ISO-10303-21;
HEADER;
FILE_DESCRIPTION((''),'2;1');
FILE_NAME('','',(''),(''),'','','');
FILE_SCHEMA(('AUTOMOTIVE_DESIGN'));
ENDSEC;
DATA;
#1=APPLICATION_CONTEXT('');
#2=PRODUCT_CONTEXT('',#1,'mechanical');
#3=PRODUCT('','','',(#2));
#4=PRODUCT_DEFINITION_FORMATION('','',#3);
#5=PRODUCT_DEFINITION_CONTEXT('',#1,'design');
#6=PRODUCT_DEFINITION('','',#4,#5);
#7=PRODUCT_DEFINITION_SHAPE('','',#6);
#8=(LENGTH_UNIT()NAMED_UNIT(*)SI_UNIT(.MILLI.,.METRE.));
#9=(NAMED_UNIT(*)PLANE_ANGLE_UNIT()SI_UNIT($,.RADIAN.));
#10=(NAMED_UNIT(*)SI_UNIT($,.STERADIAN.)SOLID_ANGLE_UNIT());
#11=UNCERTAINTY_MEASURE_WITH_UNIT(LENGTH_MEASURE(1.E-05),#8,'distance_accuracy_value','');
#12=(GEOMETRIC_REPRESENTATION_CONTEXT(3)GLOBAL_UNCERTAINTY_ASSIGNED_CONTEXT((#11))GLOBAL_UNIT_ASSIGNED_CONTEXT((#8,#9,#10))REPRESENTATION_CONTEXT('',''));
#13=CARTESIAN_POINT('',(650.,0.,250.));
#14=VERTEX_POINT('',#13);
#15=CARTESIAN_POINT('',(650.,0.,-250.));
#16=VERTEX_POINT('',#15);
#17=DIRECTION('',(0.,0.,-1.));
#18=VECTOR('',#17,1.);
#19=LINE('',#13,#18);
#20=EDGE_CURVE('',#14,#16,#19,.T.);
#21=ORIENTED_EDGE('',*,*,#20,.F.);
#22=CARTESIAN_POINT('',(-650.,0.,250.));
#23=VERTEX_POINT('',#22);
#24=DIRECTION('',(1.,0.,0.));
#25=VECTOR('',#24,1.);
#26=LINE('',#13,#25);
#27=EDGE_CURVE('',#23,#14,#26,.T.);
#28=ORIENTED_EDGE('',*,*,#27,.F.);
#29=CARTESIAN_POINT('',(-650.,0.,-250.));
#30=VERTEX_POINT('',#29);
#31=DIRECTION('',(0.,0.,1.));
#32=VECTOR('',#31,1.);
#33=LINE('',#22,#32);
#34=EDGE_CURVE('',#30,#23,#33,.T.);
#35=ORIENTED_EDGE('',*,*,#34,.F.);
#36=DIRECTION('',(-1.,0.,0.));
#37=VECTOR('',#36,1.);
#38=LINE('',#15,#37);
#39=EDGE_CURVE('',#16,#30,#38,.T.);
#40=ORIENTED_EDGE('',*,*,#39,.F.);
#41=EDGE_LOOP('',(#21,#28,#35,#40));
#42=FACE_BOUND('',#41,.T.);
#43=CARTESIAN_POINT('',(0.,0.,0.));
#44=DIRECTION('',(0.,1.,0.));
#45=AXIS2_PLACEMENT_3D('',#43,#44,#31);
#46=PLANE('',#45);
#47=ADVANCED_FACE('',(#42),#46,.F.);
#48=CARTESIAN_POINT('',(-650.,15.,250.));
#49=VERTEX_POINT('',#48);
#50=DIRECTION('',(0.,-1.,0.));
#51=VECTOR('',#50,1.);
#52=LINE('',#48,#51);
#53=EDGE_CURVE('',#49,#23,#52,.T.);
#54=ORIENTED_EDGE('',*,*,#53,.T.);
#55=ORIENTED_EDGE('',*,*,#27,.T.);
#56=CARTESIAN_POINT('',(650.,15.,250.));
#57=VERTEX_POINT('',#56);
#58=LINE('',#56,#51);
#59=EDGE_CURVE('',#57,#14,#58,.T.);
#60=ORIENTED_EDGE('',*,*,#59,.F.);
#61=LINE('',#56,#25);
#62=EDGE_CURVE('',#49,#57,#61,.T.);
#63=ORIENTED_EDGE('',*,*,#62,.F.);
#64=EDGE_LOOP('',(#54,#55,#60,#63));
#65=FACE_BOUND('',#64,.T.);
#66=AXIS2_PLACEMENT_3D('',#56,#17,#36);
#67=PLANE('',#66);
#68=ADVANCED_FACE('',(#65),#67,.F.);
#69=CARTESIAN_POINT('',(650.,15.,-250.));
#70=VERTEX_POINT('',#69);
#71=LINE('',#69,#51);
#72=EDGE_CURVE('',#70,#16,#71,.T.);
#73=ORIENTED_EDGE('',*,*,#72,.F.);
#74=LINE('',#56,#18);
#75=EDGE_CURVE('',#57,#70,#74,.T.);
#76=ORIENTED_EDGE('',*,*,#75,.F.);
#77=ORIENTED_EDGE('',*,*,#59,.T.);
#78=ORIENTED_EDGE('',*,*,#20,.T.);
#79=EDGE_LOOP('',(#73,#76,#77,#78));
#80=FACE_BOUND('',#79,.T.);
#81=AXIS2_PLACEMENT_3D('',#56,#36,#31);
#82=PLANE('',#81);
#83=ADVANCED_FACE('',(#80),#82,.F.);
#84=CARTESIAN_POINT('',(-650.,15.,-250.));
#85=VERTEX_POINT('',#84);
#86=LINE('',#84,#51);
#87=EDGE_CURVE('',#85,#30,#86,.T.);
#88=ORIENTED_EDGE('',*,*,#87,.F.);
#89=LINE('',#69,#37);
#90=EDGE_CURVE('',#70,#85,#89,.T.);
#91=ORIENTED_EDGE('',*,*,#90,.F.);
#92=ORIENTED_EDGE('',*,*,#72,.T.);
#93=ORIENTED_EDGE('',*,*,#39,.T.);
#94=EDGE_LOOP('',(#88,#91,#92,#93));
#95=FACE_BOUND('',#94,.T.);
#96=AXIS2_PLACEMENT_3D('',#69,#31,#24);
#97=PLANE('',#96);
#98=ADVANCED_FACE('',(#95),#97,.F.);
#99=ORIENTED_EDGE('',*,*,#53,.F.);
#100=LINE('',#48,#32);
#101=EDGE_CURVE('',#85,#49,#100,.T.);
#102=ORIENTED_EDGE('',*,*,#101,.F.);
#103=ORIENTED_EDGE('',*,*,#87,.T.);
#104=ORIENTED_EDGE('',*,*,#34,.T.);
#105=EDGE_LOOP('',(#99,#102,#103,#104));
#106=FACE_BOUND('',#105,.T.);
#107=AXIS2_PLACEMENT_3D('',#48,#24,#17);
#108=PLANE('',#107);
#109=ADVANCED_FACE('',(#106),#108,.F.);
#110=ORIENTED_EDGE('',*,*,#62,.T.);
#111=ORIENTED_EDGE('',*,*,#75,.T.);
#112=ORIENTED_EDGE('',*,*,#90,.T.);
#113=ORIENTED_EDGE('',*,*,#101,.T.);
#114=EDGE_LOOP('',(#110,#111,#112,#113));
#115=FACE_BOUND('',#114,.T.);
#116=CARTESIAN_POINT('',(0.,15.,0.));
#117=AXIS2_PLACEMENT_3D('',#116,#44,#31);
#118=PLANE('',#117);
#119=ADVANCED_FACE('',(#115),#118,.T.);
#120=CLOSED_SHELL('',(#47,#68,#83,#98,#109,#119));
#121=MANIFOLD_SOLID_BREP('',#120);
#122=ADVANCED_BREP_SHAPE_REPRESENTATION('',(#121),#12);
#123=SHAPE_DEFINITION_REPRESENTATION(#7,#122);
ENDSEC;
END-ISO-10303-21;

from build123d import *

# Parameters (mm, degrees)
ESBO_O1_W                = 1300
ESBO_O1_H                = 500
RESSALTO_EXTRUS_O1_DEPTH = 15


with BuildPart() as part:
    # Esboço1 → Ressalto-extrusão1 (new body)
    with BuildSketch(Plane(origin=(0, 0, 0), x_dir=(1, 0, 0), z_dir=(0, 1, 0))):
        Rectangle(ESBO_O1_W, ESBO_O1_H)
    extrude(amount=RESSALTO_EXTRUS_O1_DEPTH)


solid = part.part
